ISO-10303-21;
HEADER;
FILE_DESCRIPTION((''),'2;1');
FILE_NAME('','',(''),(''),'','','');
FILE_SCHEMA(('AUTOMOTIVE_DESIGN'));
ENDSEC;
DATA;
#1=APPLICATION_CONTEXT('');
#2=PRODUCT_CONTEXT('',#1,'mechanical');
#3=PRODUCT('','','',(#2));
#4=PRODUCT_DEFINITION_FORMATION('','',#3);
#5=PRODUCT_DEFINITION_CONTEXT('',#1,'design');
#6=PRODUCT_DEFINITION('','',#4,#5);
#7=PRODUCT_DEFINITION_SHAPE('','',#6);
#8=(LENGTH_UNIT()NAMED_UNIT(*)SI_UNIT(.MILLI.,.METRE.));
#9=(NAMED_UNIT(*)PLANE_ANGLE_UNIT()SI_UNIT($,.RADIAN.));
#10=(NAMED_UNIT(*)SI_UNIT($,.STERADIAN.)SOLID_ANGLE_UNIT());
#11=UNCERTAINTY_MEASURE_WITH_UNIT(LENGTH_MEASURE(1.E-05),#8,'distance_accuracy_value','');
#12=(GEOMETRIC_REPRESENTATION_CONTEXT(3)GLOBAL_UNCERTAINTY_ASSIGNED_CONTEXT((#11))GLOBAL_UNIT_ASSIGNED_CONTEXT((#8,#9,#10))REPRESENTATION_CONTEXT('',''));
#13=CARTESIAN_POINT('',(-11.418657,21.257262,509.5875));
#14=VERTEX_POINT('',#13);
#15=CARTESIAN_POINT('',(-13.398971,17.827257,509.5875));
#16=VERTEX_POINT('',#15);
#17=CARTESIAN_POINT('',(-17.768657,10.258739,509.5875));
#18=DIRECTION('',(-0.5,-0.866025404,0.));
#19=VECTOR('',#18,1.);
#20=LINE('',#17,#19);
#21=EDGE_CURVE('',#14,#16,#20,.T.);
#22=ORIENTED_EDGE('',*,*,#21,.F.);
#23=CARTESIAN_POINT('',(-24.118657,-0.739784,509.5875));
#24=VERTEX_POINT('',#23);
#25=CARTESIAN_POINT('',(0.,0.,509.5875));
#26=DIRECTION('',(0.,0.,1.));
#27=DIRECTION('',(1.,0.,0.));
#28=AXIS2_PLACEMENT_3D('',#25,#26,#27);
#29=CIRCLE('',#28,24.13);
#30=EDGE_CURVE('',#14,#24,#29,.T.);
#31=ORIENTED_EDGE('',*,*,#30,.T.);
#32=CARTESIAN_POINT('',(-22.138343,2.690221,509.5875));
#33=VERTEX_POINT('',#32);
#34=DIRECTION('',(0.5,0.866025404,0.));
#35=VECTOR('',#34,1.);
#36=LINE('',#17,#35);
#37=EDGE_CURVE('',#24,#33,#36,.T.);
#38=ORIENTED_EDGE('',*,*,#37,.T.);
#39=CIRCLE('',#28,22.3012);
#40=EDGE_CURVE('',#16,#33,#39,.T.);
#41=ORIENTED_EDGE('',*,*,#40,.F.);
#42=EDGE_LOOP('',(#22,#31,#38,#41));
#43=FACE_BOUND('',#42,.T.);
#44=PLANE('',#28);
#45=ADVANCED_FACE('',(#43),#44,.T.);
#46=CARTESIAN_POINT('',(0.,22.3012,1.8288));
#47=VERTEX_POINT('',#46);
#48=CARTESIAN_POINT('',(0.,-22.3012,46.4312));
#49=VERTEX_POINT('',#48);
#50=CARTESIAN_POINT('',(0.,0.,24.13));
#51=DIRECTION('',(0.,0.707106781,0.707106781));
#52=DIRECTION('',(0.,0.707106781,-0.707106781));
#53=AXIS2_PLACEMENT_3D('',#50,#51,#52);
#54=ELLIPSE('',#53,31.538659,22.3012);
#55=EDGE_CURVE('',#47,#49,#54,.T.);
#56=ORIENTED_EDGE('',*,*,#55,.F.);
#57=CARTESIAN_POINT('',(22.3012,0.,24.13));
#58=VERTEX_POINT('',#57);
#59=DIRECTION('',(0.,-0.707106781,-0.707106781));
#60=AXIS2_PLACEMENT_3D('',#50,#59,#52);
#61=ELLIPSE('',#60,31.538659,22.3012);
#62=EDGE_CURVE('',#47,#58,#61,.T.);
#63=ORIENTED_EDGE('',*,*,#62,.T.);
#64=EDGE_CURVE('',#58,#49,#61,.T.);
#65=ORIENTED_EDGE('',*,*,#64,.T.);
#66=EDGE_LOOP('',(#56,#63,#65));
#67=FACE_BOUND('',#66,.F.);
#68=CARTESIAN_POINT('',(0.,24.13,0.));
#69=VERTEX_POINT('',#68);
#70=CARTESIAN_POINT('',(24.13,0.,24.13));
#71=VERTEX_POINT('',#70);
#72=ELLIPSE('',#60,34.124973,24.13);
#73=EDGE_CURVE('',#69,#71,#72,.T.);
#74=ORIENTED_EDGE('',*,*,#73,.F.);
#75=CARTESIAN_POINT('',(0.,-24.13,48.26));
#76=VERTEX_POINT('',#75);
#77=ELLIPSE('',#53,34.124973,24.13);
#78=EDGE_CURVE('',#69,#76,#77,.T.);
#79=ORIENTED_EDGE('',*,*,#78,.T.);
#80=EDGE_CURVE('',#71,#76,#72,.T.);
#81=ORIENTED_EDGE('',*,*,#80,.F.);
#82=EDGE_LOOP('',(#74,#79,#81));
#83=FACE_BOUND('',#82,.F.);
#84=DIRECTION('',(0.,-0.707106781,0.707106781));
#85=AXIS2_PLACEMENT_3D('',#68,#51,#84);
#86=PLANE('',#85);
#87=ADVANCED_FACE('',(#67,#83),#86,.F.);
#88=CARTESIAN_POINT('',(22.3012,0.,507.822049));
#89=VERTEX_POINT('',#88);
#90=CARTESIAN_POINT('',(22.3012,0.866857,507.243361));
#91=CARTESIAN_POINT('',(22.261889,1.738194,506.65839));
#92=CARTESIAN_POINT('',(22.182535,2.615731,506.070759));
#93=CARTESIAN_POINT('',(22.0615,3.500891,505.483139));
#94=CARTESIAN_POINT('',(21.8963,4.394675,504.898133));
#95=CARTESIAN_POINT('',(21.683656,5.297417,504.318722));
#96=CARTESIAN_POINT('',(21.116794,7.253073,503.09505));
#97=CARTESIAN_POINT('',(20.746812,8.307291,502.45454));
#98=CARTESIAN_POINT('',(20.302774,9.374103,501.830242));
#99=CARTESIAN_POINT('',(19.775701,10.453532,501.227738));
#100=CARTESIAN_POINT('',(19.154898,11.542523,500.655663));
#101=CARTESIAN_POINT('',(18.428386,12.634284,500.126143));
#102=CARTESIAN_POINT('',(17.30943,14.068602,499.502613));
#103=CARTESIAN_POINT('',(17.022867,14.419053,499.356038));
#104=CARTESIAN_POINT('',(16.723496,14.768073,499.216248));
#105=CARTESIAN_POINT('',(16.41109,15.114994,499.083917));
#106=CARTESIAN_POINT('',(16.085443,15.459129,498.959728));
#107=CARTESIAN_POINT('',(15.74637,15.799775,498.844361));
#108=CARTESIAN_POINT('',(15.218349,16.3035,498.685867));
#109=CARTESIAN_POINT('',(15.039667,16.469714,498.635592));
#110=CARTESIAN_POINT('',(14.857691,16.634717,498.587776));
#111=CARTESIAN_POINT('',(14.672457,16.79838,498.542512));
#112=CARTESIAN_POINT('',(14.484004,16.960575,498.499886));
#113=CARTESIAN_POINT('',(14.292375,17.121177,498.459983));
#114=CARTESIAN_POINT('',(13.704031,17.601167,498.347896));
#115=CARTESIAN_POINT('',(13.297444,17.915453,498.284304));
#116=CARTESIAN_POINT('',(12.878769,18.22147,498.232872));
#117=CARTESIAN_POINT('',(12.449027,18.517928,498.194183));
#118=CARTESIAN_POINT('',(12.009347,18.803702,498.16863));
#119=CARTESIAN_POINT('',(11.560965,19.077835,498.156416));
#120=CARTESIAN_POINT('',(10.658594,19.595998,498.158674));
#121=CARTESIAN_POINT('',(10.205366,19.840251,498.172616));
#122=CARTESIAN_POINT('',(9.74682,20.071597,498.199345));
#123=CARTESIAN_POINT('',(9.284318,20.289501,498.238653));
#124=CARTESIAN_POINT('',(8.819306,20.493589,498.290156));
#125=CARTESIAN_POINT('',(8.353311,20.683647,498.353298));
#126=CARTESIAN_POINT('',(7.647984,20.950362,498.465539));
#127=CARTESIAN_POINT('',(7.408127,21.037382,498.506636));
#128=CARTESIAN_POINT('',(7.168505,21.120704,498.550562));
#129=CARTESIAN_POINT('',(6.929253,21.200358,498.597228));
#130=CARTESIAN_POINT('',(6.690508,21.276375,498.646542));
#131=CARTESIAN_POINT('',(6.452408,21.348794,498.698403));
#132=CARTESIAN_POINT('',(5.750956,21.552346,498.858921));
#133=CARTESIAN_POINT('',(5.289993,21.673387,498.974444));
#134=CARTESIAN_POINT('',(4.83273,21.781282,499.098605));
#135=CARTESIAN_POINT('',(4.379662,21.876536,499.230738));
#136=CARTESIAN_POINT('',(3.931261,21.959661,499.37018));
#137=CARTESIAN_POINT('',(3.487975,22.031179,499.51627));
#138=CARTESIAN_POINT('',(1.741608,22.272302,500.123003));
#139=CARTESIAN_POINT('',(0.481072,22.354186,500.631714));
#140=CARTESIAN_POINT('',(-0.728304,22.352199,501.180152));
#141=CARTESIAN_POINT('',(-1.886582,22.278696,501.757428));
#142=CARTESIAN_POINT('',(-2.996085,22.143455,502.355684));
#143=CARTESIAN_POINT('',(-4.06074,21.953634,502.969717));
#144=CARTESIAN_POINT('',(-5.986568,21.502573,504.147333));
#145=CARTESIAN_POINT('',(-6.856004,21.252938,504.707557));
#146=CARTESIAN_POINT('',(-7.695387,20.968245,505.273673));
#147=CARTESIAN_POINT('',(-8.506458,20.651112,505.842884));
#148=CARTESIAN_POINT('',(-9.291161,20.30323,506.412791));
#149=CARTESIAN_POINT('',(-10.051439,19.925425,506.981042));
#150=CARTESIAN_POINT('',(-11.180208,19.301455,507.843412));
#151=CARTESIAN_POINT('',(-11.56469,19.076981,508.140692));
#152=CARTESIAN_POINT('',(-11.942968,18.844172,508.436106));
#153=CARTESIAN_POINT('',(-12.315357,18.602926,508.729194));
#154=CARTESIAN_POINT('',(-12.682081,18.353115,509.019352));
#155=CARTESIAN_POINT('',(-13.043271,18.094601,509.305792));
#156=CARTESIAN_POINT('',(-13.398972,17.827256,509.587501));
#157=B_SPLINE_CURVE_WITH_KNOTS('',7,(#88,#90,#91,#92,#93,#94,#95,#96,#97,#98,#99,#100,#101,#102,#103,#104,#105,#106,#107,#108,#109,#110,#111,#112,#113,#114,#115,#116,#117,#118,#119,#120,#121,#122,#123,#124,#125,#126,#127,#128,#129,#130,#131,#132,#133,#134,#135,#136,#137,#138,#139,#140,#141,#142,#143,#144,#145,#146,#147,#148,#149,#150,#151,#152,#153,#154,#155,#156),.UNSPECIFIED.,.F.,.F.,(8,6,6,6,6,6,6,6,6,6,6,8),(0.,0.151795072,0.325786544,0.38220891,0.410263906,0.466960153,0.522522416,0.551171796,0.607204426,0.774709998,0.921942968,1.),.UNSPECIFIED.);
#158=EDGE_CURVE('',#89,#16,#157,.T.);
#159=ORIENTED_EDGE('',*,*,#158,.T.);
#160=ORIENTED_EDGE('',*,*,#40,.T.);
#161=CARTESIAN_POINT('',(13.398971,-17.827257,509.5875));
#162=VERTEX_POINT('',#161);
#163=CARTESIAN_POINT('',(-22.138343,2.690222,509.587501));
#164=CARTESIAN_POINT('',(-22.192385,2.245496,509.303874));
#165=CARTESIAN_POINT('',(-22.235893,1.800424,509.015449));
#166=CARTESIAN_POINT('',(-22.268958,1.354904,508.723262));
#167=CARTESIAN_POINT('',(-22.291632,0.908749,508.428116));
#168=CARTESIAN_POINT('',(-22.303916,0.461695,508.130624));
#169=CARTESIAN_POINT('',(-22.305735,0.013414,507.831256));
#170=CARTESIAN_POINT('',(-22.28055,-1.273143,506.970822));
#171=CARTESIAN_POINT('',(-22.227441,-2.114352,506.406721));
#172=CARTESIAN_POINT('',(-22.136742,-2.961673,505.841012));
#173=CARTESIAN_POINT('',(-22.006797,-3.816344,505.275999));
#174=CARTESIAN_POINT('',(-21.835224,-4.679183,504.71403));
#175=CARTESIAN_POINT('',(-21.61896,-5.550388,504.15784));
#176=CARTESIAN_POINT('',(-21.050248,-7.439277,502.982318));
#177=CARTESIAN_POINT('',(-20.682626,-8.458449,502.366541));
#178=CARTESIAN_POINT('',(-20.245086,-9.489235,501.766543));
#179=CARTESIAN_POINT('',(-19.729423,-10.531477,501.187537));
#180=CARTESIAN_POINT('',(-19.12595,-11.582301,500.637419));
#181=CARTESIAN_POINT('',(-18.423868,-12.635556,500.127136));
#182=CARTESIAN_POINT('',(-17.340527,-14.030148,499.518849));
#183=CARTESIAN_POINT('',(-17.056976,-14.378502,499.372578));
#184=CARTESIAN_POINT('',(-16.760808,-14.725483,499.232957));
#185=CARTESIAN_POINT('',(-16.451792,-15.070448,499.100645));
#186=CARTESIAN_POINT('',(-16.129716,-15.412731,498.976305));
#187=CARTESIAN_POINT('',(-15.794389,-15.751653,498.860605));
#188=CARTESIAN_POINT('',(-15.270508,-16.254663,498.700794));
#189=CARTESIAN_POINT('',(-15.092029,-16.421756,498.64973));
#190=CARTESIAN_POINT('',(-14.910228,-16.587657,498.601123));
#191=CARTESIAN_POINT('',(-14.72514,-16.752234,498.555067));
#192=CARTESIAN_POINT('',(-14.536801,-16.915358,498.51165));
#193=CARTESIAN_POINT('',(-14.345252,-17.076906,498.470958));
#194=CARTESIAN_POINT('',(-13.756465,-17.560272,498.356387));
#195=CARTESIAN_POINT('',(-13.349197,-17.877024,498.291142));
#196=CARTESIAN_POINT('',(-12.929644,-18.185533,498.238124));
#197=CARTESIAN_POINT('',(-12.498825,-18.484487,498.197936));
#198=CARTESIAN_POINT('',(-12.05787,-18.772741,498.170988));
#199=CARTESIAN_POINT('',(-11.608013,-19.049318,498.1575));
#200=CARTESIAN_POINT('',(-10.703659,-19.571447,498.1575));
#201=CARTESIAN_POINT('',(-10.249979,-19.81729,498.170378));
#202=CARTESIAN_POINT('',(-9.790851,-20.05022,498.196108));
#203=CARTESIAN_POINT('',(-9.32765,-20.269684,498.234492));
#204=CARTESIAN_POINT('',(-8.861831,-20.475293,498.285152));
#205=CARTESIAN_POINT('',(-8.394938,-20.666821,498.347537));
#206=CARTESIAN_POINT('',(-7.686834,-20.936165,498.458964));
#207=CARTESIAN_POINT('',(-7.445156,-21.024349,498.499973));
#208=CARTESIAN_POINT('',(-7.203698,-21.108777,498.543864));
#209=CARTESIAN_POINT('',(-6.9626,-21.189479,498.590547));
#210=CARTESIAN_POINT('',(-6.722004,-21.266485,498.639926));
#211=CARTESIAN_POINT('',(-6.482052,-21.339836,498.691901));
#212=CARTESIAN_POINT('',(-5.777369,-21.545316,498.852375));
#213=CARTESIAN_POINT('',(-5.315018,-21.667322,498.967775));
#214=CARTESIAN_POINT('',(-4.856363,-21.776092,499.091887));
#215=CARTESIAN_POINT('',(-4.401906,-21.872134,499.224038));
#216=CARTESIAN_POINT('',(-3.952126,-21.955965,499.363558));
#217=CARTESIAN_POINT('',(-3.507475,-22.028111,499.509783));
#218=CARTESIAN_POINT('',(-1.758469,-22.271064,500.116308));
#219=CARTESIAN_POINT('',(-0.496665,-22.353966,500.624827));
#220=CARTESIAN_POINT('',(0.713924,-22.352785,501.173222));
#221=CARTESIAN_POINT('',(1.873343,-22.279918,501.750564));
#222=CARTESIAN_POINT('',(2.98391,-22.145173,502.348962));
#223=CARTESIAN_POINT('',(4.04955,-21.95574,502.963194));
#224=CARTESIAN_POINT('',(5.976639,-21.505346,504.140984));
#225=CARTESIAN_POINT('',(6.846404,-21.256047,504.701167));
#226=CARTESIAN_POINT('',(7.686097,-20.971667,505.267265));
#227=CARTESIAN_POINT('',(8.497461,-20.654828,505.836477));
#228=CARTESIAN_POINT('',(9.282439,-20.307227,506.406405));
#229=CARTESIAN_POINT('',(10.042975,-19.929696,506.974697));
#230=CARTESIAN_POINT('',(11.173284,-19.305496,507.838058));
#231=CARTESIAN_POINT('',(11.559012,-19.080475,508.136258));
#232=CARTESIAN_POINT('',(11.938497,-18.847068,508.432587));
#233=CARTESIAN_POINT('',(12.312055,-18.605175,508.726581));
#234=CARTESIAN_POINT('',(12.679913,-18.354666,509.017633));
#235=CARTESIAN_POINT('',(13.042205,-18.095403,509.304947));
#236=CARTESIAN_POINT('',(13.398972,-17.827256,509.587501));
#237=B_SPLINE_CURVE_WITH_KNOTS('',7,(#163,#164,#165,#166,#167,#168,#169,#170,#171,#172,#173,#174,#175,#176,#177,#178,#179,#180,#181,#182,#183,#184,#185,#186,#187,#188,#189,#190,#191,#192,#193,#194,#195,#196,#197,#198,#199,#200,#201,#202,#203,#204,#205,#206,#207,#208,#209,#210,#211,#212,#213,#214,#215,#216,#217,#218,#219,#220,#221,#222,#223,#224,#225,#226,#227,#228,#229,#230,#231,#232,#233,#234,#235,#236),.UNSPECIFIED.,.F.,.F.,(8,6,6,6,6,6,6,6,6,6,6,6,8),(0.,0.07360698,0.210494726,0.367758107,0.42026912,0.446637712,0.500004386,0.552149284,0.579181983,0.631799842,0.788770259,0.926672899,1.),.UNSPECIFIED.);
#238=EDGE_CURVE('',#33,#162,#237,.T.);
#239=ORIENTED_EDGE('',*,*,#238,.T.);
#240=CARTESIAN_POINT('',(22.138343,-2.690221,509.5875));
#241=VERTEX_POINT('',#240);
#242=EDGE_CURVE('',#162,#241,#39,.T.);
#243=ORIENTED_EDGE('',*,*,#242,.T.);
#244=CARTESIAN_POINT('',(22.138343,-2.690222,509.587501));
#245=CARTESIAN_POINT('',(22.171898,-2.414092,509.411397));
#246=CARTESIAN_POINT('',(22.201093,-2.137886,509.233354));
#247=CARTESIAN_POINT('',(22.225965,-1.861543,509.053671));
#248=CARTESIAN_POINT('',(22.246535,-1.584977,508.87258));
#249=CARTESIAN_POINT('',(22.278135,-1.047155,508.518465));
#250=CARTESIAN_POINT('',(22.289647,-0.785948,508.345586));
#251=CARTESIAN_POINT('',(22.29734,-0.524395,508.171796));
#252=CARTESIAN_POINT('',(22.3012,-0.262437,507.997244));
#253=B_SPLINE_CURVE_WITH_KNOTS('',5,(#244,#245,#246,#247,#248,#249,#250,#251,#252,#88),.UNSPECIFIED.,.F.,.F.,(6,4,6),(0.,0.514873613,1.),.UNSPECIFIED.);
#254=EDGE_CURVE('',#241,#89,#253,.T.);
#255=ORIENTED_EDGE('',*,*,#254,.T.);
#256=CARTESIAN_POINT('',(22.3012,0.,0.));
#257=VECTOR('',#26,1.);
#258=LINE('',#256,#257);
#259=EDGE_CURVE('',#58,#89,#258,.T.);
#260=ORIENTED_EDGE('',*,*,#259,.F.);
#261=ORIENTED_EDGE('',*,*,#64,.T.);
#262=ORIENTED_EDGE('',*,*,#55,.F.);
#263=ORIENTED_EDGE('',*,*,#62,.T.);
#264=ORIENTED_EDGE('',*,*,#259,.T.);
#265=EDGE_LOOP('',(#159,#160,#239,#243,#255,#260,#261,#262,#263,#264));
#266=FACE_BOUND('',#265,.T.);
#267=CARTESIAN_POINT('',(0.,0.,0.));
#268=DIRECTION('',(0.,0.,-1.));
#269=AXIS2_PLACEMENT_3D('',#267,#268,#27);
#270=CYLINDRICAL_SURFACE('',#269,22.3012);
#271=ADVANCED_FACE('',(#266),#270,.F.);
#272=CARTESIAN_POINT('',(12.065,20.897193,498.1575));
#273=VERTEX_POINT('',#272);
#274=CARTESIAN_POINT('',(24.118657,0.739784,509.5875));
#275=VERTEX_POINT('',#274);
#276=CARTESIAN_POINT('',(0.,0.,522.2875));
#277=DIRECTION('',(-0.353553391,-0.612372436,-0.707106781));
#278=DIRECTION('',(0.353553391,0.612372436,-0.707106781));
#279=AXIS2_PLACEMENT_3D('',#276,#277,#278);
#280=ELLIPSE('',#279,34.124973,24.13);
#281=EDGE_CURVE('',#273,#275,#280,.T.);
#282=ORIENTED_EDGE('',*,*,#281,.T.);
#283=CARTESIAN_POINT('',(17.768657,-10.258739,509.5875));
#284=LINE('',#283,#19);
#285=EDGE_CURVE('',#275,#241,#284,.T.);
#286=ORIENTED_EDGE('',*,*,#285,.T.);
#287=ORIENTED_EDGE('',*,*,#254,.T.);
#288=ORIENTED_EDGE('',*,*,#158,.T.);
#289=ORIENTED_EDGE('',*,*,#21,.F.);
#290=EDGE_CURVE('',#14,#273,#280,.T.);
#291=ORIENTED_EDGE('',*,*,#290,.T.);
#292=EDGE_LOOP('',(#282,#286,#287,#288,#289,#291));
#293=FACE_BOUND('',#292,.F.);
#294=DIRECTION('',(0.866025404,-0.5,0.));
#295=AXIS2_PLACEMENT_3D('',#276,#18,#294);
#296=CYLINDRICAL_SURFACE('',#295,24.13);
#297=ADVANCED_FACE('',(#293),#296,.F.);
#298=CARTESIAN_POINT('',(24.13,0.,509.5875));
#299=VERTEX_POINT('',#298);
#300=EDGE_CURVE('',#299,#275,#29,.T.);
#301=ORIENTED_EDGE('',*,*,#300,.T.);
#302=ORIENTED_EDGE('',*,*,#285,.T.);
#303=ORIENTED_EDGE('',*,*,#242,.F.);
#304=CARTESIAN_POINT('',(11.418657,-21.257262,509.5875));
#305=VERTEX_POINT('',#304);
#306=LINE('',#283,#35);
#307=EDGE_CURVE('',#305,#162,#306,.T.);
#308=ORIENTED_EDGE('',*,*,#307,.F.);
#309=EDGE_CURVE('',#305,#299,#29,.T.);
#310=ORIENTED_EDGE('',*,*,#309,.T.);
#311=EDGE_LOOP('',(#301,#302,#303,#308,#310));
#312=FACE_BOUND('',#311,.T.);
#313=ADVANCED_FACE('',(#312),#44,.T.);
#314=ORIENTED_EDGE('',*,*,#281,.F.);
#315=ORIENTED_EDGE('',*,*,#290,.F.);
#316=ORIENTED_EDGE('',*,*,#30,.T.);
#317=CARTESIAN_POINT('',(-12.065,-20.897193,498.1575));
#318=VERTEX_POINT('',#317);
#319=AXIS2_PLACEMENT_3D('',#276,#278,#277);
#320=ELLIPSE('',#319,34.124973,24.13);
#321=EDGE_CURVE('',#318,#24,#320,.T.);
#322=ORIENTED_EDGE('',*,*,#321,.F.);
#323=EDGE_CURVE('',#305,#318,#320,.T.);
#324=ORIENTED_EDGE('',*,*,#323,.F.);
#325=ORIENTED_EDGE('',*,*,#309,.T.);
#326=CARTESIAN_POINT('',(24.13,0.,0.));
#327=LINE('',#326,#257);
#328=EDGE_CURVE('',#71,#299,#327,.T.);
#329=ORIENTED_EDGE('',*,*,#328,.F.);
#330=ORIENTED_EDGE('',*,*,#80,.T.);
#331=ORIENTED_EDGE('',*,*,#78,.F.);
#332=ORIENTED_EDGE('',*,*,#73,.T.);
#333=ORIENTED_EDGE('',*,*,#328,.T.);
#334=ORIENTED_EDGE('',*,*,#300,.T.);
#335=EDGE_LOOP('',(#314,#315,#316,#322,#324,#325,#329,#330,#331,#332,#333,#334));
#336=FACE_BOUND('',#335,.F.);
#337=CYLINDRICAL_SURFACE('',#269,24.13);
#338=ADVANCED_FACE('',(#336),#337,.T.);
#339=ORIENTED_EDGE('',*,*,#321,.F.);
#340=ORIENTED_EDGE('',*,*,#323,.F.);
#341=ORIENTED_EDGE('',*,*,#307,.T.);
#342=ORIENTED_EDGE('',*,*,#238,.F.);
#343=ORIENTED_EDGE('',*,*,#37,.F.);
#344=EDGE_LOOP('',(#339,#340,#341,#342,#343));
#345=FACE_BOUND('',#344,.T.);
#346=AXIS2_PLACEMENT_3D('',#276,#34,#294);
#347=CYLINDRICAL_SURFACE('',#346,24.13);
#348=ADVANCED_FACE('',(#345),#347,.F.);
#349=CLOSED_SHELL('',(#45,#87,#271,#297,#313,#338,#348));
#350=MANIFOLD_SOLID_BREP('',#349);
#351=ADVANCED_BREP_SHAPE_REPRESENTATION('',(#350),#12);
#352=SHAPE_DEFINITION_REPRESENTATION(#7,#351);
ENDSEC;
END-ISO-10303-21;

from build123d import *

# Parameters (mm, degrees)
F0_R          = 24.13
F0_R_2        = 22.3012
F1_DEPTH      = 509.5875
F3_DEPTH      = 24.131
F3_DEPTH_BACK = 24.131
F6_R          = 24.13
F7_DEPTH      = 50.8
F7_DEPTH_BACK = 50.8


with BuildPart() as f1:
    # F0 (on Top) → F1 (new body)
    with BuildSketch(Plane.XY):
        Circle(F0_R)
        Circle(F0_R_2, mode=Mode.SUBTRACT)
    extrude(amount=F1_DEPTH)

    # F2 (on Right) → F3 (cut, two sides)
    with BuildSketch(Plane.YZ) as f3_sk:
        Polygon((-24.13, 48.26), (-24.13, 0), (24.13, 0), align=None)
    extrude(amount=-F3_DEPTH, mode=Mode.SUBTRACT)
    extrude(f3_sk.sketch, amount=F3_DEPTH_BACK, mode=Mode.SUBTRACT)

    # F6 (on line) → F7 (cut, two sides)
    with BuildSketch(Plane(origin=(0, 0, 0), x_dir=(0.8660254038, -0.5, 0), z_dir=(-0.5, -0.8660254038, 0))) as f7_sk:
        with Locations((0, 522.2875)):
            Circle(F6_R)
    extrude(amount=-F7_DEPTH, mode=Mode.SUBTRACT)
    extrude(f7_sk.sketch, amount=F7_DEPTH_BACK, mode=Mode.SUBTRACT)


solid = f1.part
